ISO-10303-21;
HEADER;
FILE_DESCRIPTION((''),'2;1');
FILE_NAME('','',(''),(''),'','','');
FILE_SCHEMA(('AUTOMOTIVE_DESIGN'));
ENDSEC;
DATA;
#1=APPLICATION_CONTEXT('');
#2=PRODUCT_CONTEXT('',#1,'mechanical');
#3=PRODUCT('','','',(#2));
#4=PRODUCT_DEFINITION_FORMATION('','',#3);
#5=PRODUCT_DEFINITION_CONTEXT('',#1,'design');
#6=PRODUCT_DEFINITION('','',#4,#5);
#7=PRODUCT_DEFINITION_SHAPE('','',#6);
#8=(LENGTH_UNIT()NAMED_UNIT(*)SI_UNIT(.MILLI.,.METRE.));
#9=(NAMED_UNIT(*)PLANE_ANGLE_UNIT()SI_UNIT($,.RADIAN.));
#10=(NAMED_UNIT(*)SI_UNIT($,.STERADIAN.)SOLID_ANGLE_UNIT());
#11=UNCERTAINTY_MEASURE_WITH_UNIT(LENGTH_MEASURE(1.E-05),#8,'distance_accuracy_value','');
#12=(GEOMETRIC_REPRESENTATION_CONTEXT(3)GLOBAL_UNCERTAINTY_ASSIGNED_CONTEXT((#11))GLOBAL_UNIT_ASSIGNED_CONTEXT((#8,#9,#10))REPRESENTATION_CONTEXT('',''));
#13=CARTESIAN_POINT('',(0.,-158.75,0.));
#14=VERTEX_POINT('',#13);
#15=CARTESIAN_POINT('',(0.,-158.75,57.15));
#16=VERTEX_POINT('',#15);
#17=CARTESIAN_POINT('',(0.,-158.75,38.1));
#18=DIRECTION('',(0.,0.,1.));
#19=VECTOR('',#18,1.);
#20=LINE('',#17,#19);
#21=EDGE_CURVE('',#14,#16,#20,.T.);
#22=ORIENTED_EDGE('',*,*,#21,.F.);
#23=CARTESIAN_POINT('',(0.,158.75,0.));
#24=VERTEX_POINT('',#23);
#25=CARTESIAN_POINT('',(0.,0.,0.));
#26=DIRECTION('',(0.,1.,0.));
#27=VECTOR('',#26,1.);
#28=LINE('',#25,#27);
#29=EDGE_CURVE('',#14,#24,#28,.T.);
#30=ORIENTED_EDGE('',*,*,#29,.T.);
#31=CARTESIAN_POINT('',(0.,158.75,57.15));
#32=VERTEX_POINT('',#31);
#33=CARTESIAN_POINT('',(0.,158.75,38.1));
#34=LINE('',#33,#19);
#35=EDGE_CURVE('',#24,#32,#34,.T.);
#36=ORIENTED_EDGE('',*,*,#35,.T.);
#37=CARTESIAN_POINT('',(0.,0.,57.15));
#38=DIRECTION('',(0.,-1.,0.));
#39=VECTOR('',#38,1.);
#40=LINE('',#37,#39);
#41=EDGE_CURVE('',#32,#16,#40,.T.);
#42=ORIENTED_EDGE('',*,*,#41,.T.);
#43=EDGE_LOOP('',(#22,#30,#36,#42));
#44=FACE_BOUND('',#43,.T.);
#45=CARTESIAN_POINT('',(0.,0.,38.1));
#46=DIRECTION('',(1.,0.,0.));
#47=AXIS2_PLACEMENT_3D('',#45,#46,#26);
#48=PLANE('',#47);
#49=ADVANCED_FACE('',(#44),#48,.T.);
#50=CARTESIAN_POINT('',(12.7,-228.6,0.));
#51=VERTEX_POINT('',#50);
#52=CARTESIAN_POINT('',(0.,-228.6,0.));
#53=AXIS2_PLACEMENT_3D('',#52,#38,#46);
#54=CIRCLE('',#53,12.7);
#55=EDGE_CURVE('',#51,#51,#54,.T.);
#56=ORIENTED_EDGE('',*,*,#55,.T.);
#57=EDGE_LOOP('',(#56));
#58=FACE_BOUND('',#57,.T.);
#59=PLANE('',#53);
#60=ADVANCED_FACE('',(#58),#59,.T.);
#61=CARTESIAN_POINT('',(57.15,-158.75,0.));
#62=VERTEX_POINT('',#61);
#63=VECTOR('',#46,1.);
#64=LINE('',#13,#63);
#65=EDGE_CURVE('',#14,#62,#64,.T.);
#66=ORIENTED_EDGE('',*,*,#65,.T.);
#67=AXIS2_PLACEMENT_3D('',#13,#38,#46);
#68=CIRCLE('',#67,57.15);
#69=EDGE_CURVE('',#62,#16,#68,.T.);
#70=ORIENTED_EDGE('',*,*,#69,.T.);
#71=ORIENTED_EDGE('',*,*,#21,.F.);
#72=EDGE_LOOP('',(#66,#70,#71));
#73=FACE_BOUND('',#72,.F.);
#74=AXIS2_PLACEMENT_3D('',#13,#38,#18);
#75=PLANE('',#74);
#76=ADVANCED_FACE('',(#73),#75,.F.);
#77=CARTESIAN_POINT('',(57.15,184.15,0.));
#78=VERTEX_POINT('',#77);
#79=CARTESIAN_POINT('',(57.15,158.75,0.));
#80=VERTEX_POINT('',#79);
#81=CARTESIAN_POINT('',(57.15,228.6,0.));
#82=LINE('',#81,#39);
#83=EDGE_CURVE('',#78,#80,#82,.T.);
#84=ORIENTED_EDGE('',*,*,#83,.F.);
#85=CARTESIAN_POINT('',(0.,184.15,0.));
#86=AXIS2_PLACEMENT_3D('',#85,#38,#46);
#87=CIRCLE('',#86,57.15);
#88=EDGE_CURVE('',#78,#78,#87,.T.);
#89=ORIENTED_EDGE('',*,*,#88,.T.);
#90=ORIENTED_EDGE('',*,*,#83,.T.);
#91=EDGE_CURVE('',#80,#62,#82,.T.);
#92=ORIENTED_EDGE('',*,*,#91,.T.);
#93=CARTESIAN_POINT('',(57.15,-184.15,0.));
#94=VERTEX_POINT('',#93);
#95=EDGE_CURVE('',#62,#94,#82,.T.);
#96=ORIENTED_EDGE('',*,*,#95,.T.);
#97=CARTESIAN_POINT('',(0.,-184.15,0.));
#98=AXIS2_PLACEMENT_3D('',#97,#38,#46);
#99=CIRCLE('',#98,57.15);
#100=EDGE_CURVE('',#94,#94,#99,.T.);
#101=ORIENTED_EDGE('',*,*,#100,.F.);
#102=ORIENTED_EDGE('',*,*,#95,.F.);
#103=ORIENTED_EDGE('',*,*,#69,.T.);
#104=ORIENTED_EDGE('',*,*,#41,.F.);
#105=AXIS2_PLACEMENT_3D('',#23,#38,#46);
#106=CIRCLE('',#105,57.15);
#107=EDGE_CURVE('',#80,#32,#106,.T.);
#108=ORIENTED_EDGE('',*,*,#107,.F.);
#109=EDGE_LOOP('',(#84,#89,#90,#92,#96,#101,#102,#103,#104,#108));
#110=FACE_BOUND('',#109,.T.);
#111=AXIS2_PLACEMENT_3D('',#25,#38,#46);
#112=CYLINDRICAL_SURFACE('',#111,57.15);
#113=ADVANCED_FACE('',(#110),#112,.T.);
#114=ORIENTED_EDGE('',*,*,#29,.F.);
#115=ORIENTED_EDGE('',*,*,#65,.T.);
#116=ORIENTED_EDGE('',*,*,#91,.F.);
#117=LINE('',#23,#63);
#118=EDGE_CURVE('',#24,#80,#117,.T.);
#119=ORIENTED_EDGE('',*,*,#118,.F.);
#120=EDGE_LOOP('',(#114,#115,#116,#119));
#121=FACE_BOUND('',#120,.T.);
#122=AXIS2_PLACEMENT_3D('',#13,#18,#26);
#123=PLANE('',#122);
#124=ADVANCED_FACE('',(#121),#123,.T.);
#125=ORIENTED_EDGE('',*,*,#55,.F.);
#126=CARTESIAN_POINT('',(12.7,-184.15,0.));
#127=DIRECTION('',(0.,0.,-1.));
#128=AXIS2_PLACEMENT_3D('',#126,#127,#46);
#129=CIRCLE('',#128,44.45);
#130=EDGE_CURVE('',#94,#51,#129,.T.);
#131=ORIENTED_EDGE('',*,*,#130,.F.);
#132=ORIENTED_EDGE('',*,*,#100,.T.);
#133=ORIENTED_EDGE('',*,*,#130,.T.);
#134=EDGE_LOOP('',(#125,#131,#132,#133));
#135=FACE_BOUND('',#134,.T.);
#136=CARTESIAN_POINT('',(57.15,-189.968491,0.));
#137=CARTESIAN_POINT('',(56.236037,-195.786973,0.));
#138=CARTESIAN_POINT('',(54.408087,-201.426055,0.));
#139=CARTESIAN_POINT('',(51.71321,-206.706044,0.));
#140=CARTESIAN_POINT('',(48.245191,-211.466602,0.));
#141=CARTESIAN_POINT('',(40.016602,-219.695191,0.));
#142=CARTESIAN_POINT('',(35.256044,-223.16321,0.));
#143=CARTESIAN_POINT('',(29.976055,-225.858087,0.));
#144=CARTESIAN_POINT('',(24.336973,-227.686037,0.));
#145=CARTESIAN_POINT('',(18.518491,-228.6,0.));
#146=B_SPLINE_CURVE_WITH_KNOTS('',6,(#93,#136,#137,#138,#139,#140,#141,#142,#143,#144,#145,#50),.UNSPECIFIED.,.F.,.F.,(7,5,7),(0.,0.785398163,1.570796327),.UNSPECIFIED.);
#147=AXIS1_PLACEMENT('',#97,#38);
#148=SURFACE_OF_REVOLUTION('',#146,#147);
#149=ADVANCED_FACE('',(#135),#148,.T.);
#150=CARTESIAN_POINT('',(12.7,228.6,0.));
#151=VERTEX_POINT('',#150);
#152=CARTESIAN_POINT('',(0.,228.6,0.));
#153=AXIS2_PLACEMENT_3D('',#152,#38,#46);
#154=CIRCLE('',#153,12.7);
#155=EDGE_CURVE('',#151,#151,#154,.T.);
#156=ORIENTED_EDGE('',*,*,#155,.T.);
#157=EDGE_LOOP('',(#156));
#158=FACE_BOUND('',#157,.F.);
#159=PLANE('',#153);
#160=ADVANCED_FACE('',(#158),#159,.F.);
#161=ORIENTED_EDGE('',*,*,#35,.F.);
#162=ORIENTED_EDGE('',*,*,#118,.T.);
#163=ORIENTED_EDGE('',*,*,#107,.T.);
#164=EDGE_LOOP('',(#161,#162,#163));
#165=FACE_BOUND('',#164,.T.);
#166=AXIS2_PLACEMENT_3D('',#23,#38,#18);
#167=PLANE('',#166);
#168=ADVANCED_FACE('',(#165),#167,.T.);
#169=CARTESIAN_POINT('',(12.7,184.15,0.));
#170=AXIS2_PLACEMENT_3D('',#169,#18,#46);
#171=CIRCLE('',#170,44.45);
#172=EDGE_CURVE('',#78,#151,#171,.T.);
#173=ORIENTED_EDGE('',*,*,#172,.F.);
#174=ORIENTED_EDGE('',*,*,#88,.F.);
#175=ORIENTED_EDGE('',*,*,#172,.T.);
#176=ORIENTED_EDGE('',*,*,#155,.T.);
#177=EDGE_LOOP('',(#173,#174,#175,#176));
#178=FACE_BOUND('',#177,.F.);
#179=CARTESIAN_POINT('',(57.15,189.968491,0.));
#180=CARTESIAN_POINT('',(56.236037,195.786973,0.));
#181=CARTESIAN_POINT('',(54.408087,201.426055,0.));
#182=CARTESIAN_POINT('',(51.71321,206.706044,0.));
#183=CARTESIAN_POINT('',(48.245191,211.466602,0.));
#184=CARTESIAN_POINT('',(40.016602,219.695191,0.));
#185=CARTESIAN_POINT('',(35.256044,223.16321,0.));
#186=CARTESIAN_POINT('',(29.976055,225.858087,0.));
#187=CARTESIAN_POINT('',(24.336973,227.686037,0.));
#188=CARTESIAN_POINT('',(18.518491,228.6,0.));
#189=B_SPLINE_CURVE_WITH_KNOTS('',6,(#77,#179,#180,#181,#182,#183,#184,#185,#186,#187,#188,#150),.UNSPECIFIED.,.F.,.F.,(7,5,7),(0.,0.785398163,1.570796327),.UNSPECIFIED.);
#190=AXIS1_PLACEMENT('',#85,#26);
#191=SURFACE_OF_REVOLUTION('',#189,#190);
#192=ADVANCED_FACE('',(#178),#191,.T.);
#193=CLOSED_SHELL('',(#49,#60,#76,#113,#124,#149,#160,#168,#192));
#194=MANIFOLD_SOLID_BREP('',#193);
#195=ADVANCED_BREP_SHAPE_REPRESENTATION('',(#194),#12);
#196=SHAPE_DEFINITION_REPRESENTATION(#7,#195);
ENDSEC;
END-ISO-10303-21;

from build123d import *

# Parameters (mm, degrees)
F0_R     = 57.15
F1_DEPTH = 228.6
F2_R     = 44.45
F3_W     = 317.5
F3_H     = 76.2
F4_DEPTH = 57.151


with BuildPart() as f1:
    # F0 (on Front) → F1 (new body, symmetric)
    with BuildSketch(Plane.XZ):
        Circle(F0_R)
    extrude(amount=F1_DEPTH, both=True)

    # F2
    f2_edges = [f1.edges().sort_by_distance(p)[0] for p in [
        (-57.15, -228.6, 0),
        (-57.15, 228.6, 0),
    ]]
    fillet(f2_edges, radius=F2_R)

    # F3 (on Right) → F4 (cut, through all)
    with BuildSketch(Plane.YZ):
        with Locations((0, 38.1)):
            Rectangle(F3_W, F3_H)
    extrude(amount=F4_DEPTH, mode=Mode.SUBTRACT)


solid = f1.part
